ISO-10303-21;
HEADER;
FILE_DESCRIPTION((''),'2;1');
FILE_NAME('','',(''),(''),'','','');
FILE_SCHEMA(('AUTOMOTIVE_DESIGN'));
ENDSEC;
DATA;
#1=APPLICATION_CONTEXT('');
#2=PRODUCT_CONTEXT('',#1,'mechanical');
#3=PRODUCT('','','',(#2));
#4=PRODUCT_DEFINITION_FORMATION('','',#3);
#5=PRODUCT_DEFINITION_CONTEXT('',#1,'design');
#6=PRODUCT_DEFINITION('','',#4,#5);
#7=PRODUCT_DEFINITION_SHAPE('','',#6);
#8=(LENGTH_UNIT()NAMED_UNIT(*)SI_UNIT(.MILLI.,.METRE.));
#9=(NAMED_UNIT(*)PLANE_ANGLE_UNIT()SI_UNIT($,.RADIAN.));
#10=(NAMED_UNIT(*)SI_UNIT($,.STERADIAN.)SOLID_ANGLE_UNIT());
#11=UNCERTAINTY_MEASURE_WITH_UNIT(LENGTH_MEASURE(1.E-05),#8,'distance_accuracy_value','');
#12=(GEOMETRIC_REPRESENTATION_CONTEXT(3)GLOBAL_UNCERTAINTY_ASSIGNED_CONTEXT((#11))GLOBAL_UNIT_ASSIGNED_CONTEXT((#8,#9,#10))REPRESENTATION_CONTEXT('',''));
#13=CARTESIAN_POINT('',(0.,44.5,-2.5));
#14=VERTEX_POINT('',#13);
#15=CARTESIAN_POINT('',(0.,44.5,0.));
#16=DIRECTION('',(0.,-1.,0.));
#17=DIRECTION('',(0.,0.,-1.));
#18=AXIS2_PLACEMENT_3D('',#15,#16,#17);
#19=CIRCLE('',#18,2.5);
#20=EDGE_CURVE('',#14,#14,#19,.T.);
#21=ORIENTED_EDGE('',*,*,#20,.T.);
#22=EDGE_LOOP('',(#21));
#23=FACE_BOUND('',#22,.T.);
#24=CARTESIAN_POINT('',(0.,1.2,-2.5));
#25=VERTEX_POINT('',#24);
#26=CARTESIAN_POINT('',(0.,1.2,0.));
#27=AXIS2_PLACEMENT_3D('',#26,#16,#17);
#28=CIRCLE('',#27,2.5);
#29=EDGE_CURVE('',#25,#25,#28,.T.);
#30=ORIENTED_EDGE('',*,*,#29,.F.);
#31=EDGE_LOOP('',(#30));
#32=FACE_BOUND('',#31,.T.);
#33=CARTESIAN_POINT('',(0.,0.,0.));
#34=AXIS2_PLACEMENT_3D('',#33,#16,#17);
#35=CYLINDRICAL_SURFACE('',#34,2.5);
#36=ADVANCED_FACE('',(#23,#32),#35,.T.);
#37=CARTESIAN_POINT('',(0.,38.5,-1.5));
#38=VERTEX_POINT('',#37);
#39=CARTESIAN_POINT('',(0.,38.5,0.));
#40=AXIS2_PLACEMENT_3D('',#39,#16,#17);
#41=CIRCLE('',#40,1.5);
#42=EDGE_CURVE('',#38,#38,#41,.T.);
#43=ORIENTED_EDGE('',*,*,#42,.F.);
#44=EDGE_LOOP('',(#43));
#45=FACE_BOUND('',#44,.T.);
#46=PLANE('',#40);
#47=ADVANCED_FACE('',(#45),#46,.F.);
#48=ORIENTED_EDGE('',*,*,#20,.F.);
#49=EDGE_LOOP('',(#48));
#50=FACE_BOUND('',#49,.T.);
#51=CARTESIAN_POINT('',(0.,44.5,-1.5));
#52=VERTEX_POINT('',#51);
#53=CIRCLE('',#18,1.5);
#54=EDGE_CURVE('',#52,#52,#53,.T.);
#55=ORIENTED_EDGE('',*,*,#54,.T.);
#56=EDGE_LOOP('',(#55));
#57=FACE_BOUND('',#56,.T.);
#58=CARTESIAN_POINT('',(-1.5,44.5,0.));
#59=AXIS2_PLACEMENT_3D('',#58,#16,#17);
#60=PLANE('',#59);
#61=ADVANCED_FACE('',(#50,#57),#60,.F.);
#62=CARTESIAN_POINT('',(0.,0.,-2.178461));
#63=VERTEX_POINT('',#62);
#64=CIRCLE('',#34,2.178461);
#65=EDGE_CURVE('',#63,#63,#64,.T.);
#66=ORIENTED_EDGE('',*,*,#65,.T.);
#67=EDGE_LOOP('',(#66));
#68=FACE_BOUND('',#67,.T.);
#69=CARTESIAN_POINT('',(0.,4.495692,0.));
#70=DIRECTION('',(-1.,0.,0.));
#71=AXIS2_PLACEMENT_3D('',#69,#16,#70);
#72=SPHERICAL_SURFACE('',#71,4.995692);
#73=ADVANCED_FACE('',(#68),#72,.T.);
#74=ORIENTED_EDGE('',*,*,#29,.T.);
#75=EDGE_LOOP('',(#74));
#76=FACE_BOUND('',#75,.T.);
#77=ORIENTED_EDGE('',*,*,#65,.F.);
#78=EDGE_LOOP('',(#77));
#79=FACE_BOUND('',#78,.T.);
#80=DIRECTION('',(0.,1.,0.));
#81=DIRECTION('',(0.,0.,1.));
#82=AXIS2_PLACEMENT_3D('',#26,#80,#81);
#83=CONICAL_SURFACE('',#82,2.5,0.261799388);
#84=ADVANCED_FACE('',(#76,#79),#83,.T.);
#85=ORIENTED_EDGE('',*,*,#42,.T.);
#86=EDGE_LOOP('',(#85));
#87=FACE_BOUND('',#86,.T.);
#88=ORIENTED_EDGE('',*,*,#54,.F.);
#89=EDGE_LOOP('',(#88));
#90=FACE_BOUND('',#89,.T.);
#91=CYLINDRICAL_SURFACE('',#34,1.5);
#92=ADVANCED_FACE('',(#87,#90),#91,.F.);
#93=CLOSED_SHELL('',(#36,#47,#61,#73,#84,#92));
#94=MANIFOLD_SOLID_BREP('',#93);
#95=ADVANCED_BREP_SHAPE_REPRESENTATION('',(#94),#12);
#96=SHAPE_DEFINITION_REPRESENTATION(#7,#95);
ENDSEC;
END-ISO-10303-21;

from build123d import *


with BuildPart() as part:
    # Sketch1 → Revolve1 (revolve)
    with BuildSketch(Plane.XY, mode=Mode.PRIVATE) as revolve1_sk:
        with BuildLine():
            Line((0, 0), (0, 38.5))
            Line((0, 38.5), (-1.5, 38.5))
            Line((-1.5, 38.5), (-1.5, 44.5))
            Line((-1.5, 44.5), (-2.5, 44.5))
            Line((-2.5, 44.5), (-2.5, 1.2))
            Line((-2.5, 1.2), (-2.178460969, 0))
            ThreePointArc((-2.178460969, 0), (-1.117552258, -0.373395754), (0, -0.5))
            Line((0, -0.5), (0, 0))
        make_face()
    revolve(revolve1_sk.sketch.rotate(Axis((0, 0, 0), (0, 1, 0)), 270), axis=Axis((0, 0, 0), (0, 1, 0)))


solid = part.part
